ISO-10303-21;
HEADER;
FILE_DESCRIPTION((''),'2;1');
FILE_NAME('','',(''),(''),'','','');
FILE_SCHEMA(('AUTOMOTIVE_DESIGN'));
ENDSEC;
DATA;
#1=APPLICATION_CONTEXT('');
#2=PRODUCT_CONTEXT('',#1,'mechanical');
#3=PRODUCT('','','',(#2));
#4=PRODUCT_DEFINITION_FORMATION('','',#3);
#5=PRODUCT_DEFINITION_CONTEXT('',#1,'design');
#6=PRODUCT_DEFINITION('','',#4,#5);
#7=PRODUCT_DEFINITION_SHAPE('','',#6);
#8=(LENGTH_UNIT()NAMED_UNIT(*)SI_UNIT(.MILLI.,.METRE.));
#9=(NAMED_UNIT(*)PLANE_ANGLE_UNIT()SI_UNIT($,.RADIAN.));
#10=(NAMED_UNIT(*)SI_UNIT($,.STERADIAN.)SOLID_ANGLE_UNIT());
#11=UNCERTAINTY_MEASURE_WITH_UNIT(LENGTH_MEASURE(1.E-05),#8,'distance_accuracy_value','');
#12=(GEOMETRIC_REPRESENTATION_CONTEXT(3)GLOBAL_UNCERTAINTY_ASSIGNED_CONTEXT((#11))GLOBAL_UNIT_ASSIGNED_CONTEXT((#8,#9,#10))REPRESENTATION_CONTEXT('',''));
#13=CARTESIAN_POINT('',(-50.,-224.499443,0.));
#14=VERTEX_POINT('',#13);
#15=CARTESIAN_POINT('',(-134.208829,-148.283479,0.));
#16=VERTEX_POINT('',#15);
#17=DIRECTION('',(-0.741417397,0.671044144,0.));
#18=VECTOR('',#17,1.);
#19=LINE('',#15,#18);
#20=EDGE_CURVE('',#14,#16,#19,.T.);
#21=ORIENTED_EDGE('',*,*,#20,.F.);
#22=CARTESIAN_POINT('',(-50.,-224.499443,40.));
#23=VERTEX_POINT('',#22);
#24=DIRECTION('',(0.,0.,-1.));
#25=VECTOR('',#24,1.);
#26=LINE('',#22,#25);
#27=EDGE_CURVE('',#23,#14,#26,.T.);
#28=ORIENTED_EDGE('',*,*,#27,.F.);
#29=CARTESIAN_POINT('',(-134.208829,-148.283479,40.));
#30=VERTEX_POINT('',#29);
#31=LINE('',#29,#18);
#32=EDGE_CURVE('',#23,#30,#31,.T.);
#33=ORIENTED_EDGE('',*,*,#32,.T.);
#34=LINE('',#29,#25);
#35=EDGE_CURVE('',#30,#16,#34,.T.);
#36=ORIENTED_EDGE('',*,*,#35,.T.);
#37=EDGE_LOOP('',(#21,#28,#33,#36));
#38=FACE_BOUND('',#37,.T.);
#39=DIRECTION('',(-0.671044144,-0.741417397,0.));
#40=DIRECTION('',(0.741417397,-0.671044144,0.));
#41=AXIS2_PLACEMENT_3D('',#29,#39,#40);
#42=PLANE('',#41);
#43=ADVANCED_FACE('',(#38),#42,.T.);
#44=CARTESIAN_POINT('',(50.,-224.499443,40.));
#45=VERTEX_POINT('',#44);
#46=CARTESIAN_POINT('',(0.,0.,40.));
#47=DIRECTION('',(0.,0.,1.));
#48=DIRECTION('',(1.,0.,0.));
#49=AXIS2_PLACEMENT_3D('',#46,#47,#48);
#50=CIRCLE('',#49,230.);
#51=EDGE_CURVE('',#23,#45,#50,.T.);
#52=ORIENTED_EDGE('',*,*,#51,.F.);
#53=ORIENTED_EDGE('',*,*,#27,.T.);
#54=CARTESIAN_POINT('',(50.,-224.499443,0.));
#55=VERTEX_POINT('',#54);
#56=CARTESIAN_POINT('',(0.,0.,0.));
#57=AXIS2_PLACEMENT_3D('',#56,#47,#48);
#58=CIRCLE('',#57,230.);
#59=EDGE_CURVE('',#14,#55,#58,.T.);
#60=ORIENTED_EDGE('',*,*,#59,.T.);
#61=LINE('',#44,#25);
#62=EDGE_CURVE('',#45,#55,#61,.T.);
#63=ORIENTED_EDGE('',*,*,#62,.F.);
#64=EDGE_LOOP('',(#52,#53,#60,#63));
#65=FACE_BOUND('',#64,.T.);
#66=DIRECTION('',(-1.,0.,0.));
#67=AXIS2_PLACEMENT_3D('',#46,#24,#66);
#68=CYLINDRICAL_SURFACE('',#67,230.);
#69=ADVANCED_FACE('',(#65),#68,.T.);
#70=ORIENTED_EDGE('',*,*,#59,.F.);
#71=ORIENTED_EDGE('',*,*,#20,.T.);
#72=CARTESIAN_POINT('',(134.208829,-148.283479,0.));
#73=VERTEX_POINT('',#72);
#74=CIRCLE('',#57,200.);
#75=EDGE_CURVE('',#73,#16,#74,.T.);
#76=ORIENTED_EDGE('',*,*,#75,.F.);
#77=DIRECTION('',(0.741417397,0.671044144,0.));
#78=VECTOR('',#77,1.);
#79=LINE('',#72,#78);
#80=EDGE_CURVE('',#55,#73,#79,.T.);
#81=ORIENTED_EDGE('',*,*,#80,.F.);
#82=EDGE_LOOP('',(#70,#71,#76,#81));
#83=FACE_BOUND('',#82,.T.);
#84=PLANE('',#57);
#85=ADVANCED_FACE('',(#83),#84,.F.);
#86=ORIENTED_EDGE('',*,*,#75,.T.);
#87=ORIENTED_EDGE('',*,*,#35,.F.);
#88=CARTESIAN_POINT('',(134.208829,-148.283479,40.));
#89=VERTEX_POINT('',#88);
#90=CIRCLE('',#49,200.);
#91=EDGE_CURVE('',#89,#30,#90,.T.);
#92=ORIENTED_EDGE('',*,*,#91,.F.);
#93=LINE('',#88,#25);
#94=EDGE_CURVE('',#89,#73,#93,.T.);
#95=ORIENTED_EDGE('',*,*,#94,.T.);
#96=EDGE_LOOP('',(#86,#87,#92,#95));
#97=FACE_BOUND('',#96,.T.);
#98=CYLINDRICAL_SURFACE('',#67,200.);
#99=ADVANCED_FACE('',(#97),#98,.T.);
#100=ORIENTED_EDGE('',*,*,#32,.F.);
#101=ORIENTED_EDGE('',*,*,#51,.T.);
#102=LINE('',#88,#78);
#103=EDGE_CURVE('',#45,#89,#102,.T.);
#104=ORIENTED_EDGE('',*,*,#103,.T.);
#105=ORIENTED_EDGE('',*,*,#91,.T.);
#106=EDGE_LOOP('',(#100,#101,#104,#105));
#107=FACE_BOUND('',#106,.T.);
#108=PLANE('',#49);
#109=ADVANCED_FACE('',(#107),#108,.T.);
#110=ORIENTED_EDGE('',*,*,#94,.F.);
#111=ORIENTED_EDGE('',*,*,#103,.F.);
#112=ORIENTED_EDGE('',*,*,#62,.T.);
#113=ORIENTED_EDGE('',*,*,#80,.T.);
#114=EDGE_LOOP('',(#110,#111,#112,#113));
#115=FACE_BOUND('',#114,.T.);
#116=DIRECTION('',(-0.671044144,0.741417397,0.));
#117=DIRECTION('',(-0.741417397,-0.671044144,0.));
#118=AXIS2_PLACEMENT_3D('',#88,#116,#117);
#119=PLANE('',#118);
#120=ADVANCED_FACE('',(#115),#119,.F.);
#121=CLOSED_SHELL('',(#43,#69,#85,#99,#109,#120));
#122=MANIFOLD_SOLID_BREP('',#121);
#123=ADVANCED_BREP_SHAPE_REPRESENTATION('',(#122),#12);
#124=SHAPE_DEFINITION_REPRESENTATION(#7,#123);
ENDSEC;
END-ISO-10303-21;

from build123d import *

# Parameters (mm, degrees)
EXTRUDE_1_DEPTH = 40


with BuildPart() as part:
    # 草圖1 → 填料-伸長1 (new body)
    with BuildSketch(Plane.XY):
        with BuildLine():
            Line((50, -224.499443206), (134.208828858, -148.283479378))
            ThreePointArc((134.208828858, -148.283479378), (0, 200), (-134.208828858, -148.283479378))
            Line((-134.208828858, -148.283479378), (-50, -224.499443206))
            ThreePointArc((-50, -224.499443206), (0, -230), (50, -224.499443206))
        make_face()
    extrude(amount=EXTRUDE_1_DEPTH)


solid = part.part
